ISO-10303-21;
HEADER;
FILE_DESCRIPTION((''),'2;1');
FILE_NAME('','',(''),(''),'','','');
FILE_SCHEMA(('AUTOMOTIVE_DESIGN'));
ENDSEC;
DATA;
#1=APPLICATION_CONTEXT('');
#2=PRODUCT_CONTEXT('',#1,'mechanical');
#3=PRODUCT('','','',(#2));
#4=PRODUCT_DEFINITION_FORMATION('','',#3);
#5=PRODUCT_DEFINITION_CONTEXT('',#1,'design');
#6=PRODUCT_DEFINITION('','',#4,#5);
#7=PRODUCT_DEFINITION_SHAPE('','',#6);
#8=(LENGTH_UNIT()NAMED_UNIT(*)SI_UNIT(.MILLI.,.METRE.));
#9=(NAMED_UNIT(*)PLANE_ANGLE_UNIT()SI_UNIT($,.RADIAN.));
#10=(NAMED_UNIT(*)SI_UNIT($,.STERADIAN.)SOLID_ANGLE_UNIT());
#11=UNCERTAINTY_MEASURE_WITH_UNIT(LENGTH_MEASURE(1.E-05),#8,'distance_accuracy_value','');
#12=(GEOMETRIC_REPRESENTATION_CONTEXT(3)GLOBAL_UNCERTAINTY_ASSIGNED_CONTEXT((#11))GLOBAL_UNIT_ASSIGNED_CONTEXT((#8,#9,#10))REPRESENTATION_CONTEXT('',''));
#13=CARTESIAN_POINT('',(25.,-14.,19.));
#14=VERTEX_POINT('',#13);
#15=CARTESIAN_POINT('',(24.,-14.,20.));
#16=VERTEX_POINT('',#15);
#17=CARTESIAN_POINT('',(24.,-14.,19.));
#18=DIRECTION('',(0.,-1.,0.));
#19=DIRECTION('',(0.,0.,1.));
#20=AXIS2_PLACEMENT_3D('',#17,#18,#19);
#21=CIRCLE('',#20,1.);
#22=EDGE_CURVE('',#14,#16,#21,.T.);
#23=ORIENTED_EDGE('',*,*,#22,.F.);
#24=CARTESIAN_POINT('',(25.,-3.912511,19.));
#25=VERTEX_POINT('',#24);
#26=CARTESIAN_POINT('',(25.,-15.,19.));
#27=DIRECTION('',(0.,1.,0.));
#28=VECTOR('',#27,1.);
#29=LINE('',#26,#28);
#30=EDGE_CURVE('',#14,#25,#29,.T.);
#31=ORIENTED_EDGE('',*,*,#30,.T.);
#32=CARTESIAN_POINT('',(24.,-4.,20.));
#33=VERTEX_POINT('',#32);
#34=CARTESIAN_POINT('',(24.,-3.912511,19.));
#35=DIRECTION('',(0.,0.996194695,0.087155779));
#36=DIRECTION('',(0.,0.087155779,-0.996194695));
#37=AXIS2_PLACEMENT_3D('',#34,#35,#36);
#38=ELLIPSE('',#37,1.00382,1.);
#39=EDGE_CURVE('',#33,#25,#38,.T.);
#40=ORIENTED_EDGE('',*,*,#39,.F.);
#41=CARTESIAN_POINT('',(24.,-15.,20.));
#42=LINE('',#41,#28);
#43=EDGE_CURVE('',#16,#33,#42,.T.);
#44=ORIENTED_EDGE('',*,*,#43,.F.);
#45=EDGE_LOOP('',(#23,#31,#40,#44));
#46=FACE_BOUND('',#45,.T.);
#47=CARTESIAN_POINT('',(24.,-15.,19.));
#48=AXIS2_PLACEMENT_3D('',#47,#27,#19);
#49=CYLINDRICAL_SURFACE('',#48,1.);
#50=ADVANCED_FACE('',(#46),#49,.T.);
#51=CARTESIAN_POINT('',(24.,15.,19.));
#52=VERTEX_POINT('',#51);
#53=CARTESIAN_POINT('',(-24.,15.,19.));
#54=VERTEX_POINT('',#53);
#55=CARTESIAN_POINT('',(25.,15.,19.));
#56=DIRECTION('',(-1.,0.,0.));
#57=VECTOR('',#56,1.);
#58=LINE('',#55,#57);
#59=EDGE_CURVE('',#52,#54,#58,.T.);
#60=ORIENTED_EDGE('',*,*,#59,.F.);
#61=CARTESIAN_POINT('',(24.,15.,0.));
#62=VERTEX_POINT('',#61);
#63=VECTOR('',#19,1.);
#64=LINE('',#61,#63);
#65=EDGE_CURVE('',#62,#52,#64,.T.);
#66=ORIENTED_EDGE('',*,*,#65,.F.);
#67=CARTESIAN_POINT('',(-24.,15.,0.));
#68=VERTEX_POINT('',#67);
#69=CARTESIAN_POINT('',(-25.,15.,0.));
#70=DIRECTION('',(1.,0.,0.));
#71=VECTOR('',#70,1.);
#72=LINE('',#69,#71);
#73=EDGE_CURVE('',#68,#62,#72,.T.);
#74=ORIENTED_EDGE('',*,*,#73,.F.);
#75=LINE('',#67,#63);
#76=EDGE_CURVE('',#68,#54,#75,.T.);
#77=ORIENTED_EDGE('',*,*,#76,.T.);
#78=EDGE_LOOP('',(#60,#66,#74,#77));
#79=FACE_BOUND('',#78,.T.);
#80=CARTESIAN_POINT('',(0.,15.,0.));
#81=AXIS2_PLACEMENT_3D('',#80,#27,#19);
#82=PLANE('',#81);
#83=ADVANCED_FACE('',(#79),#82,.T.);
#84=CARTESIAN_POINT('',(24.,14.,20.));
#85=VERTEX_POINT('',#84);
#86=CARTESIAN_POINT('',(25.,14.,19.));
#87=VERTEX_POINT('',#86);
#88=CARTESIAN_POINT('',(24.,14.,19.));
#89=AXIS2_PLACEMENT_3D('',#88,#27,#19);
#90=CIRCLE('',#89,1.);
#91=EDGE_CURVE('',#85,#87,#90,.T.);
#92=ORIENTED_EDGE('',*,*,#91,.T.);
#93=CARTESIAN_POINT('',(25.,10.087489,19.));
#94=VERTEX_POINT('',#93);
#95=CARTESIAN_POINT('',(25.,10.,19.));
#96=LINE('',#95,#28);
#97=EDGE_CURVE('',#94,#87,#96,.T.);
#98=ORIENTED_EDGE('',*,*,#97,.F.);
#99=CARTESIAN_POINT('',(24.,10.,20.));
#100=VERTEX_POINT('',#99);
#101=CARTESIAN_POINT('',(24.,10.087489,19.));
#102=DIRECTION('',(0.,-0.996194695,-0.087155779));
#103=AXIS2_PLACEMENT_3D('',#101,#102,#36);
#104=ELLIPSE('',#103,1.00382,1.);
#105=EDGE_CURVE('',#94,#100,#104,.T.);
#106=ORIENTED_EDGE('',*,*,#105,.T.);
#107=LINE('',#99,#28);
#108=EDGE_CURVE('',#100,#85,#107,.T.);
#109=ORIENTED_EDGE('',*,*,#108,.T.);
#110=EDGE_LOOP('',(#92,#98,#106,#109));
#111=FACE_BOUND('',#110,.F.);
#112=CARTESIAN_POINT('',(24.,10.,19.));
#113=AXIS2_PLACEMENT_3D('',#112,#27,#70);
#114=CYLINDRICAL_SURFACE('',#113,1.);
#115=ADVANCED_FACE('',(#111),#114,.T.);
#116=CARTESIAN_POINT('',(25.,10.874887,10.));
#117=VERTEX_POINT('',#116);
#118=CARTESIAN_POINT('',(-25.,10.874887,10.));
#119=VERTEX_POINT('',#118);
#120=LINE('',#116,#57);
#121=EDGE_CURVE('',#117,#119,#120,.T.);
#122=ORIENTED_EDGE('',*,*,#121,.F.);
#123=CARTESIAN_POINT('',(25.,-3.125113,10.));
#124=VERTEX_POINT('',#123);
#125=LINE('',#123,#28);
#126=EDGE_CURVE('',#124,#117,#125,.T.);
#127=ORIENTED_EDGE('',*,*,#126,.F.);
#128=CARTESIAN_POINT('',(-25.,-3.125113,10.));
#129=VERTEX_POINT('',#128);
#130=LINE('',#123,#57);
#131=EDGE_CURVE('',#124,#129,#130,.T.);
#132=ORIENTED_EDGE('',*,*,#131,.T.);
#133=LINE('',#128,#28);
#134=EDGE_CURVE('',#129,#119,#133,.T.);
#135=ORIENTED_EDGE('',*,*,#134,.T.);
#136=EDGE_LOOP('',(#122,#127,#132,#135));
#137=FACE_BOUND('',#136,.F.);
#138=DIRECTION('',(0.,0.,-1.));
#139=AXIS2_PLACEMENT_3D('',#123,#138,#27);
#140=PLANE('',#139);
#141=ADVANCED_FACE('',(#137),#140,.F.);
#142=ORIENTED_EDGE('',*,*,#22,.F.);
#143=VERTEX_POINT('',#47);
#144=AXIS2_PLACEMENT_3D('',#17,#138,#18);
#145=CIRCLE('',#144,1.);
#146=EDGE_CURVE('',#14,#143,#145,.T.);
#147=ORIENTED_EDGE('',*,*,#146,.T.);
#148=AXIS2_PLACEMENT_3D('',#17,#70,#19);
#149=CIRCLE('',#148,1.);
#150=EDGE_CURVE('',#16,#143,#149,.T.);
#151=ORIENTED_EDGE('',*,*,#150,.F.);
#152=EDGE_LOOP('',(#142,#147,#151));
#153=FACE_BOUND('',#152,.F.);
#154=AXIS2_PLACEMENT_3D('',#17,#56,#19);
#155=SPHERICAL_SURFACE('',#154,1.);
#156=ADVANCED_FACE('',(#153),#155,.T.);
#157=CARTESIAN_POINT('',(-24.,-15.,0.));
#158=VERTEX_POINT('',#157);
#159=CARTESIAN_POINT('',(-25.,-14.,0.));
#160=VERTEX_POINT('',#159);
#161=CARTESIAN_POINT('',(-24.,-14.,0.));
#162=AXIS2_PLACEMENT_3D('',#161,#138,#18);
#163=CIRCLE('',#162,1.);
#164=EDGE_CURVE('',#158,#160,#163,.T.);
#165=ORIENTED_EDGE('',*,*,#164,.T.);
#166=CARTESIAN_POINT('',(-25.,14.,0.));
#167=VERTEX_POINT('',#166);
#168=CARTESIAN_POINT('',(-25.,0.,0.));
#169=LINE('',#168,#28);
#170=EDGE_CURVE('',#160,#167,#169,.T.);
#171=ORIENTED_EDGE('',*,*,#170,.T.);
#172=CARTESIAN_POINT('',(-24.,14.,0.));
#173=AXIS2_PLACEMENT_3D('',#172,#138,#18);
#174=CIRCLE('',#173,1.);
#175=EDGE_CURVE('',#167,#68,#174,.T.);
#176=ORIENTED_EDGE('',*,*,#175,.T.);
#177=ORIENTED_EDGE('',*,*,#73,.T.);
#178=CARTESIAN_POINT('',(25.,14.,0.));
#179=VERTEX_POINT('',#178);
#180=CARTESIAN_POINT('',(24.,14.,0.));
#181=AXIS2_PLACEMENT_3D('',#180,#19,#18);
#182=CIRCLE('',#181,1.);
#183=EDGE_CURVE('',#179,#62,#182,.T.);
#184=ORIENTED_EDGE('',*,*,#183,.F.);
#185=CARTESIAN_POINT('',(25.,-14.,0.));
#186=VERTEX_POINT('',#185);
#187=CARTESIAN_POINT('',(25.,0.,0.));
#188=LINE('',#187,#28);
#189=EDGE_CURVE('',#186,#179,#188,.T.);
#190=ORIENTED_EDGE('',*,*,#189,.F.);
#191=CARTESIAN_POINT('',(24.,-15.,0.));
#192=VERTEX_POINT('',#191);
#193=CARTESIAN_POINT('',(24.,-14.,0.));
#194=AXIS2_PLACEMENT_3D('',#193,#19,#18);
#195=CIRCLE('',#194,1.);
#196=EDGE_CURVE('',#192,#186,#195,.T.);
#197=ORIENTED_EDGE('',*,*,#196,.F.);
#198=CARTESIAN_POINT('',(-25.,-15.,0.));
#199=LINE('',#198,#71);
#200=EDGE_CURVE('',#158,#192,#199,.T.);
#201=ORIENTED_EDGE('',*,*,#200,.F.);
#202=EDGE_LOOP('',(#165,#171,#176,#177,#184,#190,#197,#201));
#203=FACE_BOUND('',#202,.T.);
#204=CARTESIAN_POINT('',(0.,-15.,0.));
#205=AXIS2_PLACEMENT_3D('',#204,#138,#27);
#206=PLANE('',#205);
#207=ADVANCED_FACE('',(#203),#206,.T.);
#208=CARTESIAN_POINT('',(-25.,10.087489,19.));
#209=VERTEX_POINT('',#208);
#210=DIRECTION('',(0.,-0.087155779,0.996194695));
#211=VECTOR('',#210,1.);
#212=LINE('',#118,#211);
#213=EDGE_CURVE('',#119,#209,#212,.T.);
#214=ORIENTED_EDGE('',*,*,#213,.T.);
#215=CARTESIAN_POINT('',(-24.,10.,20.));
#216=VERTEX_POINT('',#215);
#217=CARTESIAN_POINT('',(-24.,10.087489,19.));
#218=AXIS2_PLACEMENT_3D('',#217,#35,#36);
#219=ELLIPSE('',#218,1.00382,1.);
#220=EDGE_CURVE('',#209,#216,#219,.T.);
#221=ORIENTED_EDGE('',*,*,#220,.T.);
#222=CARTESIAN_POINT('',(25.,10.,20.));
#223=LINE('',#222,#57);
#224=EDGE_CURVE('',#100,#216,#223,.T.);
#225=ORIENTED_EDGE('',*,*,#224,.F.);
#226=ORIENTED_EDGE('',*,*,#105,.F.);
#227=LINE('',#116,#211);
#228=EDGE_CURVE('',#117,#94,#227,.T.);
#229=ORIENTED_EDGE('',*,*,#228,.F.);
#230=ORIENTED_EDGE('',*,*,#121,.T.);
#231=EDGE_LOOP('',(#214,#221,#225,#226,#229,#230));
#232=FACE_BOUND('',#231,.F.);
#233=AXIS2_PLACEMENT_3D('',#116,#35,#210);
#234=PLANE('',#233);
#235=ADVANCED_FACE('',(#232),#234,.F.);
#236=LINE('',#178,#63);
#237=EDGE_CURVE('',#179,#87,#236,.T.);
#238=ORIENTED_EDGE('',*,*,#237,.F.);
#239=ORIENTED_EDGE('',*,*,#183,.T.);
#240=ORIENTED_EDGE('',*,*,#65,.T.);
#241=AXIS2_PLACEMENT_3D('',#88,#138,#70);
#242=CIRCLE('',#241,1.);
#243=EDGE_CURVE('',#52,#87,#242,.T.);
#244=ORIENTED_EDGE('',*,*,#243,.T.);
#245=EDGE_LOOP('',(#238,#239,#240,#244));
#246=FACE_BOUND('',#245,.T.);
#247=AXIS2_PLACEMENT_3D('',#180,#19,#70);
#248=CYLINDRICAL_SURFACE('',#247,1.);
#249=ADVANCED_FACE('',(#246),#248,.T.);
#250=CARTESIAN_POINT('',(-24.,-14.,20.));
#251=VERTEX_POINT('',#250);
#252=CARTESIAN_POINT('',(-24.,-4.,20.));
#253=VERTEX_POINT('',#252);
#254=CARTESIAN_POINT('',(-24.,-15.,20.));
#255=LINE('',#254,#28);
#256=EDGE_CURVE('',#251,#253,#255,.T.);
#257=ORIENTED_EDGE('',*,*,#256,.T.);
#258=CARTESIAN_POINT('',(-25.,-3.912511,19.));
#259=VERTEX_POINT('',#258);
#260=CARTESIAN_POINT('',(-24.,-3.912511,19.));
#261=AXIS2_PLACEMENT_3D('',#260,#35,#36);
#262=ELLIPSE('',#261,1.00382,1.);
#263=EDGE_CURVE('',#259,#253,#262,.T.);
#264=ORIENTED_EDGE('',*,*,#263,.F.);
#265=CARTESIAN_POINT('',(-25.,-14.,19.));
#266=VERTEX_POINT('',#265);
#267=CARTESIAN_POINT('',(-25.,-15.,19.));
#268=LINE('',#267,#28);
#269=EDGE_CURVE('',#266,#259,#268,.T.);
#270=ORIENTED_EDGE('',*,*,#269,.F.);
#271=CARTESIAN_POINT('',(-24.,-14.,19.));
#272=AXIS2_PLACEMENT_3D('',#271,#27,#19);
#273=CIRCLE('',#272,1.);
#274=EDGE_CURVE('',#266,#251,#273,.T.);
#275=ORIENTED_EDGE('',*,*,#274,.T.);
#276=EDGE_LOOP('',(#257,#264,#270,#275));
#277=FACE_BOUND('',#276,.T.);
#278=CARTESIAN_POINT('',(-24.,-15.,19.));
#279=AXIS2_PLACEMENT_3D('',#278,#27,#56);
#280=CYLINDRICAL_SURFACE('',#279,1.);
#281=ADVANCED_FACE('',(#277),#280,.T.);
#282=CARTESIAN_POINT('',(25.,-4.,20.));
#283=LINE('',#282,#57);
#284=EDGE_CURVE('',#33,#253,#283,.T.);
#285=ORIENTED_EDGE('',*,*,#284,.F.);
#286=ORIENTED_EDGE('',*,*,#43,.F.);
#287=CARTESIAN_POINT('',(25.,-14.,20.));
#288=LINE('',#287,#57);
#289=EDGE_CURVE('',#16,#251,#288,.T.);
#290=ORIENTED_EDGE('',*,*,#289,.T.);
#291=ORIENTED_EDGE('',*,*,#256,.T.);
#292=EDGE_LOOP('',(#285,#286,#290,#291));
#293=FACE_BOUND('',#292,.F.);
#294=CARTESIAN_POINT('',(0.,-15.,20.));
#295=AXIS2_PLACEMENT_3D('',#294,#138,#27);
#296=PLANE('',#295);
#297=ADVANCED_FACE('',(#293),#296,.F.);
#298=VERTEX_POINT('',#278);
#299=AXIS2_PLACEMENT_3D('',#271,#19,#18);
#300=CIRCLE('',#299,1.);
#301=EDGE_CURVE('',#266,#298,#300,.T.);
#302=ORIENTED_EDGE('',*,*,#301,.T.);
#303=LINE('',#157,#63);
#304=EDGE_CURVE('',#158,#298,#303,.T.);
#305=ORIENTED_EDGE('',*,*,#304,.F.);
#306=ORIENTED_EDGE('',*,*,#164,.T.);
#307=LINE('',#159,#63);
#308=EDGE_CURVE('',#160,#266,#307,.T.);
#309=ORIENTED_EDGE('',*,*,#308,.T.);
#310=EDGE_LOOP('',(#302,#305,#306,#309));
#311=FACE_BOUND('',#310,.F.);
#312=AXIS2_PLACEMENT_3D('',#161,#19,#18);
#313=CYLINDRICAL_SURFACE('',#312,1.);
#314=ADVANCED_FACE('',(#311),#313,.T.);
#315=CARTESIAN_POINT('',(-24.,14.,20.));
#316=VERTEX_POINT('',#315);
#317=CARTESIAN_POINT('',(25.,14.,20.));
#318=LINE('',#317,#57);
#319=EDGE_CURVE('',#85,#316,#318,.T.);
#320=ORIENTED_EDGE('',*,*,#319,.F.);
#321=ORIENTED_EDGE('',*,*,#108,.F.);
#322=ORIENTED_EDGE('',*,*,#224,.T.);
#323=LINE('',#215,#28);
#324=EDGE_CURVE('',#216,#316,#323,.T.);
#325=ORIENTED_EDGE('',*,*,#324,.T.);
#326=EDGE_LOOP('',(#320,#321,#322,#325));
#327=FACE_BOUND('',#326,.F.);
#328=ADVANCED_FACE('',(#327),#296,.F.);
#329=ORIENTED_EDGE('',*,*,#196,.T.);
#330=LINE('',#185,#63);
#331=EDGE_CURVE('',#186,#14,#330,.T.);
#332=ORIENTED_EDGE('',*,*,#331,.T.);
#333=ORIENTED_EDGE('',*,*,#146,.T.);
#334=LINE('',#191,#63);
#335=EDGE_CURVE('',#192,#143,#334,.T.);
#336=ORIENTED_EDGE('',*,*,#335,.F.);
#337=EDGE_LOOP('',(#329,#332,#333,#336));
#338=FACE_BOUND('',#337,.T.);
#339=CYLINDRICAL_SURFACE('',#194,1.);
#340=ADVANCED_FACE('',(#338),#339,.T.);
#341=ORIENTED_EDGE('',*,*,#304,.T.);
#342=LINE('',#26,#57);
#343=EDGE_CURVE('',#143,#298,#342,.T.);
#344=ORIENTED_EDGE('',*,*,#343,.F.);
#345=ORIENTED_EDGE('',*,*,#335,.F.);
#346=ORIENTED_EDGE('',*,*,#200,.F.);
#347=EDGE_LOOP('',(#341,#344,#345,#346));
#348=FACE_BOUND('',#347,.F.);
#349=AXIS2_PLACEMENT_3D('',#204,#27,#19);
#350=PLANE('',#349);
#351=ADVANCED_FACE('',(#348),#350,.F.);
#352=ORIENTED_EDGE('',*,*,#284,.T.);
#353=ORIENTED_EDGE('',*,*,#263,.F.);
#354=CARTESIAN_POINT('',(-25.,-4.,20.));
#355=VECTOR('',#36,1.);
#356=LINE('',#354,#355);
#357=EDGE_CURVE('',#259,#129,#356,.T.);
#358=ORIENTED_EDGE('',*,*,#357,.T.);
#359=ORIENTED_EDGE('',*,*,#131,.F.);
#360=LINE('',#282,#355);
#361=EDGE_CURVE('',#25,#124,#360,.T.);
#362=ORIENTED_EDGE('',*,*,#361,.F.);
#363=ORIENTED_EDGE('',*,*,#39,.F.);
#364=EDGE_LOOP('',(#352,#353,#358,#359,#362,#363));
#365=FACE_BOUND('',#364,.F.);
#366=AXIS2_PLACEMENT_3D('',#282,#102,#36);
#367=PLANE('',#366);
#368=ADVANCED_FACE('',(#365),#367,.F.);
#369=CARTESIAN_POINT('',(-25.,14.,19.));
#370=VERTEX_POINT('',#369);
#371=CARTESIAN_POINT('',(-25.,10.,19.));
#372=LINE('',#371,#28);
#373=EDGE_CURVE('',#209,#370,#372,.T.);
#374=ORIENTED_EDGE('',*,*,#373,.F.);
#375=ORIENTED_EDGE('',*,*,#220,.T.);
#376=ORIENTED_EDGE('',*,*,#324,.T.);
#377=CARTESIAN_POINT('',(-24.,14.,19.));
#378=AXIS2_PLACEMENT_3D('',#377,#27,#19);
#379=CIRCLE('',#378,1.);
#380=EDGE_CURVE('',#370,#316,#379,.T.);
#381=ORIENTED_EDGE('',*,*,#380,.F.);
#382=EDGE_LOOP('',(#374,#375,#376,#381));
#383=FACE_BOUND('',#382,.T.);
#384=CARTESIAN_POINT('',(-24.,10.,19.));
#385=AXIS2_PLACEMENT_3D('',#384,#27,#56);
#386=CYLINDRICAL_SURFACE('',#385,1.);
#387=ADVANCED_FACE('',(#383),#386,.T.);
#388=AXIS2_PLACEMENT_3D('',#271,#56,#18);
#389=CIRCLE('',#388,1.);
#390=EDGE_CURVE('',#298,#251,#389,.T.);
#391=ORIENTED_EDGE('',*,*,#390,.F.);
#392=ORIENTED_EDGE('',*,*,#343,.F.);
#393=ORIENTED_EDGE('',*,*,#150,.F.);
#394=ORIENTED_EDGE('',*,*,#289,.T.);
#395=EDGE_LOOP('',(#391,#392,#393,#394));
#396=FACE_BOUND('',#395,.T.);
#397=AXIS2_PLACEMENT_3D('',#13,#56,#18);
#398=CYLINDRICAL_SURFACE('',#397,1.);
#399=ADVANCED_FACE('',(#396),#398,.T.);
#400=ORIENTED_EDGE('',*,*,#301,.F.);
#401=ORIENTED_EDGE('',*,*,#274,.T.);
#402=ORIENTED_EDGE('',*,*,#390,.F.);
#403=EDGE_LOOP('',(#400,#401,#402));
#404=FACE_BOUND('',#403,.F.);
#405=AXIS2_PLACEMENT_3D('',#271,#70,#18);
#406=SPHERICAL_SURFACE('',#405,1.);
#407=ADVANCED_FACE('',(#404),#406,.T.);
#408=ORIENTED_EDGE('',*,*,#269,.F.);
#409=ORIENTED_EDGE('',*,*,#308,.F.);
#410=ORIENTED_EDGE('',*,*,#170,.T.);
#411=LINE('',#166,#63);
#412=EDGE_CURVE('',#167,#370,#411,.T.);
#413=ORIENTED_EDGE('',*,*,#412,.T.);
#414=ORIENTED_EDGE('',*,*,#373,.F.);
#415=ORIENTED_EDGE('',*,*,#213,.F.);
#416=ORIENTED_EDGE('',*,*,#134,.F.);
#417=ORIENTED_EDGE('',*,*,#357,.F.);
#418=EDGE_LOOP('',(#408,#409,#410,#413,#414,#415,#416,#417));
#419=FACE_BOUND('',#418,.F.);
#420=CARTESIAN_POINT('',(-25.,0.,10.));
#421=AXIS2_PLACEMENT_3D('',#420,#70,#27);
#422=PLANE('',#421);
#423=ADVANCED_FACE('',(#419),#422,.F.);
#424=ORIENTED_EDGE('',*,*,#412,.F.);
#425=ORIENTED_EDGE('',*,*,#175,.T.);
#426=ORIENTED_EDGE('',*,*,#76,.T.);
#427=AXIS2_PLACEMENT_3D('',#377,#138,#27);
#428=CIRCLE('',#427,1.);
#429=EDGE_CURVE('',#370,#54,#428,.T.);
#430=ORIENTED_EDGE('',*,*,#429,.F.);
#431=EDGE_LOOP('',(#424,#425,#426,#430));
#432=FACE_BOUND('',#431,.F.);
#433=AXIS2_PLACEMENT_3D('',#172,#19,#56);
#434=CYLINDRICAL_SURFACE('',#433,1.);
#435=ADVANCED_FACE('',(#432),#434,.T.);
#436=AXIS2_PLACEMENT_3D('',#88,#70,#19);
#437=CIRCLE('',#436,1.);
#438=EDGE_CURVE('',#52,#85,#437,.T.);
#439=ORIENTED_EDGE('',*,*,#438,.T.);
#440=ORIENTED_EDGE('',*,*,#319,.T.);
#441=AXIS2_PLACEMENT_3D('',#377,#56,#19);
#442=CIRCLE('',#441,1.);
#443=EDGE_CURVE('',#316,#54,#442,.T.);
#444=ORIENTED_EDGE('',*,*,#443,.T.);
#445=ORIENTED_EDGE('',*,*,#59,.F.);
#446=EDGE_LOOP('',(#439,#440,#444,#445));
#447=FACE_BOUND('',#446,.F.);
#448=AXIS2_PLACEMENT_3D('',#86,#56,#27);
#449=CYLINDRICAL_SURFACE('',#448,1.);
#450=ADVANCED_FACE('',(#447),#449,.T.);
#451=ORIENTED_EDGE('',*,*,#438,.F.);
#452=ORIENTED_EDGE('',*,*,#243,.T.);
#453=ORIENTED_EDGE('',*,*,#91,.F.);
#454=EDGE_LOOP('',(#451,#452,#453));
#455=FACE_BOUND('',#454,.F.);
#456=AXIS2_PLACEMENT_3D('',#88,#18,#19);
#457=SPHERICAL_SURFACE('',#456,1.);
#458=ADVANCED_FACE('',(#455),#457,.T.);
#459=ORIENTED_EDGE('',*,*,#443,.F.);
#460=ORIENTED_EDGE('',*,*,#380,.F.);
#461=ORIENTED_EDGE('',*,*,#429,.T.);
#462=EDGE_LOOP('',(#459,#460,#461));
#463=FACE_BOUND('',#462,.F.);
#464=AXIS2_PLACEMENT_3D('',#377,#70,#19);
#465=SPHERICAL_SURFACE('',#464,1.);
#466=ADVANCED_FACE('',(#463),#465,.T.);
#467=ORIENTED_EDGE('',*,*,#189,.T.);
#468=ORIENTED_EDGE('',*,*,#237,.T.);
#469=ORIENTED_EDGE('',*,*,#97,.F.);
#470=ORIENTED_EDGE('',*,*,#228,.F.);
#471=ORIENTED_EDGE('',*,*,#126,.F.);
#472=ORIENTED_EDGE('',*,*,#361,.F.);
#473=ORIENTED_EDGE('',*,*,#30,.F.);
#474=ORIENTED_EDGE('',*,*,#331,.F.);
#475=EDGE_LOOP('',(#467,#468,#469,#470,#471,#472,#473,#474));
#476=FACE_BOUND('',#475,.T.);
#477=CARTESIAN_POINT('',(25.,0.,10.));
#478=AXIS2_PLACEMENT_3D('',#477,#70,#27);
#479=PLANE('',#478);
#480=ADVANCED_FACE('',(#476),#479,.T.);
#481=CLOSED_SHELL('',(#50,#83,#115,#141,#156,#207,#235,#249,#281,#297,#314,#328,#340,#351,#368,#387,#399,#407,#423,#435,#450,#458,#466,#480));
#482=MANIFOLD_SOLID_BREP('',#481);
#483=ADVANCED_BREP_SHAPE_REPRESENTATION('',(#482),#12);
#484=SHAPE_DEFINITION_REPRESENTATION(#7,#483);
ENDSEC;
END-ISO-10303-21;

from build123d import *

# Parameters (mm, degrees)
F0_W     = 30
F0_H     = 20
F1_DEPTH = 25
F3_DEPTH = 50
F4_R     = 1


with BuildPart() as f1:
    # F0 (on Right) → F1 (new body, symmetric)
    with BuildSketch(Plane.YZ):
        with Locations((0, 10)):
            Rectangle(F0_W, F0_H)
    extrude(amount=F1_DEPTH, both=True)

    # F2 (on face) → F3 (cut)
    with BuildSketch(Plane.YZ.offset(25)):
        Polygon((10.874887, 10), (10, 20), (-4, 20), (-3.125113, 10), align=None)
    extrude(amount=-F3_DEPTH, mode=Mode.SUBTRACT)

    # F4
    f4_edges = [f1.edges().sort_by_distance(p)[0] for p in [
        (0, -15, 20),
        (25, -9.5, 20),
        (25, 12.5, 20),
        (0, 15, 20),
        (25, 15, 10),
        (25, -15, 10),
        (-25, -15, 10),
        (-25, -9.5, 20),
        (-25, 12.5, 20),
        (-25, 15, 10),
    ]]
    fillet(f4_edges, radius=F4_R)


solid = f1.part
